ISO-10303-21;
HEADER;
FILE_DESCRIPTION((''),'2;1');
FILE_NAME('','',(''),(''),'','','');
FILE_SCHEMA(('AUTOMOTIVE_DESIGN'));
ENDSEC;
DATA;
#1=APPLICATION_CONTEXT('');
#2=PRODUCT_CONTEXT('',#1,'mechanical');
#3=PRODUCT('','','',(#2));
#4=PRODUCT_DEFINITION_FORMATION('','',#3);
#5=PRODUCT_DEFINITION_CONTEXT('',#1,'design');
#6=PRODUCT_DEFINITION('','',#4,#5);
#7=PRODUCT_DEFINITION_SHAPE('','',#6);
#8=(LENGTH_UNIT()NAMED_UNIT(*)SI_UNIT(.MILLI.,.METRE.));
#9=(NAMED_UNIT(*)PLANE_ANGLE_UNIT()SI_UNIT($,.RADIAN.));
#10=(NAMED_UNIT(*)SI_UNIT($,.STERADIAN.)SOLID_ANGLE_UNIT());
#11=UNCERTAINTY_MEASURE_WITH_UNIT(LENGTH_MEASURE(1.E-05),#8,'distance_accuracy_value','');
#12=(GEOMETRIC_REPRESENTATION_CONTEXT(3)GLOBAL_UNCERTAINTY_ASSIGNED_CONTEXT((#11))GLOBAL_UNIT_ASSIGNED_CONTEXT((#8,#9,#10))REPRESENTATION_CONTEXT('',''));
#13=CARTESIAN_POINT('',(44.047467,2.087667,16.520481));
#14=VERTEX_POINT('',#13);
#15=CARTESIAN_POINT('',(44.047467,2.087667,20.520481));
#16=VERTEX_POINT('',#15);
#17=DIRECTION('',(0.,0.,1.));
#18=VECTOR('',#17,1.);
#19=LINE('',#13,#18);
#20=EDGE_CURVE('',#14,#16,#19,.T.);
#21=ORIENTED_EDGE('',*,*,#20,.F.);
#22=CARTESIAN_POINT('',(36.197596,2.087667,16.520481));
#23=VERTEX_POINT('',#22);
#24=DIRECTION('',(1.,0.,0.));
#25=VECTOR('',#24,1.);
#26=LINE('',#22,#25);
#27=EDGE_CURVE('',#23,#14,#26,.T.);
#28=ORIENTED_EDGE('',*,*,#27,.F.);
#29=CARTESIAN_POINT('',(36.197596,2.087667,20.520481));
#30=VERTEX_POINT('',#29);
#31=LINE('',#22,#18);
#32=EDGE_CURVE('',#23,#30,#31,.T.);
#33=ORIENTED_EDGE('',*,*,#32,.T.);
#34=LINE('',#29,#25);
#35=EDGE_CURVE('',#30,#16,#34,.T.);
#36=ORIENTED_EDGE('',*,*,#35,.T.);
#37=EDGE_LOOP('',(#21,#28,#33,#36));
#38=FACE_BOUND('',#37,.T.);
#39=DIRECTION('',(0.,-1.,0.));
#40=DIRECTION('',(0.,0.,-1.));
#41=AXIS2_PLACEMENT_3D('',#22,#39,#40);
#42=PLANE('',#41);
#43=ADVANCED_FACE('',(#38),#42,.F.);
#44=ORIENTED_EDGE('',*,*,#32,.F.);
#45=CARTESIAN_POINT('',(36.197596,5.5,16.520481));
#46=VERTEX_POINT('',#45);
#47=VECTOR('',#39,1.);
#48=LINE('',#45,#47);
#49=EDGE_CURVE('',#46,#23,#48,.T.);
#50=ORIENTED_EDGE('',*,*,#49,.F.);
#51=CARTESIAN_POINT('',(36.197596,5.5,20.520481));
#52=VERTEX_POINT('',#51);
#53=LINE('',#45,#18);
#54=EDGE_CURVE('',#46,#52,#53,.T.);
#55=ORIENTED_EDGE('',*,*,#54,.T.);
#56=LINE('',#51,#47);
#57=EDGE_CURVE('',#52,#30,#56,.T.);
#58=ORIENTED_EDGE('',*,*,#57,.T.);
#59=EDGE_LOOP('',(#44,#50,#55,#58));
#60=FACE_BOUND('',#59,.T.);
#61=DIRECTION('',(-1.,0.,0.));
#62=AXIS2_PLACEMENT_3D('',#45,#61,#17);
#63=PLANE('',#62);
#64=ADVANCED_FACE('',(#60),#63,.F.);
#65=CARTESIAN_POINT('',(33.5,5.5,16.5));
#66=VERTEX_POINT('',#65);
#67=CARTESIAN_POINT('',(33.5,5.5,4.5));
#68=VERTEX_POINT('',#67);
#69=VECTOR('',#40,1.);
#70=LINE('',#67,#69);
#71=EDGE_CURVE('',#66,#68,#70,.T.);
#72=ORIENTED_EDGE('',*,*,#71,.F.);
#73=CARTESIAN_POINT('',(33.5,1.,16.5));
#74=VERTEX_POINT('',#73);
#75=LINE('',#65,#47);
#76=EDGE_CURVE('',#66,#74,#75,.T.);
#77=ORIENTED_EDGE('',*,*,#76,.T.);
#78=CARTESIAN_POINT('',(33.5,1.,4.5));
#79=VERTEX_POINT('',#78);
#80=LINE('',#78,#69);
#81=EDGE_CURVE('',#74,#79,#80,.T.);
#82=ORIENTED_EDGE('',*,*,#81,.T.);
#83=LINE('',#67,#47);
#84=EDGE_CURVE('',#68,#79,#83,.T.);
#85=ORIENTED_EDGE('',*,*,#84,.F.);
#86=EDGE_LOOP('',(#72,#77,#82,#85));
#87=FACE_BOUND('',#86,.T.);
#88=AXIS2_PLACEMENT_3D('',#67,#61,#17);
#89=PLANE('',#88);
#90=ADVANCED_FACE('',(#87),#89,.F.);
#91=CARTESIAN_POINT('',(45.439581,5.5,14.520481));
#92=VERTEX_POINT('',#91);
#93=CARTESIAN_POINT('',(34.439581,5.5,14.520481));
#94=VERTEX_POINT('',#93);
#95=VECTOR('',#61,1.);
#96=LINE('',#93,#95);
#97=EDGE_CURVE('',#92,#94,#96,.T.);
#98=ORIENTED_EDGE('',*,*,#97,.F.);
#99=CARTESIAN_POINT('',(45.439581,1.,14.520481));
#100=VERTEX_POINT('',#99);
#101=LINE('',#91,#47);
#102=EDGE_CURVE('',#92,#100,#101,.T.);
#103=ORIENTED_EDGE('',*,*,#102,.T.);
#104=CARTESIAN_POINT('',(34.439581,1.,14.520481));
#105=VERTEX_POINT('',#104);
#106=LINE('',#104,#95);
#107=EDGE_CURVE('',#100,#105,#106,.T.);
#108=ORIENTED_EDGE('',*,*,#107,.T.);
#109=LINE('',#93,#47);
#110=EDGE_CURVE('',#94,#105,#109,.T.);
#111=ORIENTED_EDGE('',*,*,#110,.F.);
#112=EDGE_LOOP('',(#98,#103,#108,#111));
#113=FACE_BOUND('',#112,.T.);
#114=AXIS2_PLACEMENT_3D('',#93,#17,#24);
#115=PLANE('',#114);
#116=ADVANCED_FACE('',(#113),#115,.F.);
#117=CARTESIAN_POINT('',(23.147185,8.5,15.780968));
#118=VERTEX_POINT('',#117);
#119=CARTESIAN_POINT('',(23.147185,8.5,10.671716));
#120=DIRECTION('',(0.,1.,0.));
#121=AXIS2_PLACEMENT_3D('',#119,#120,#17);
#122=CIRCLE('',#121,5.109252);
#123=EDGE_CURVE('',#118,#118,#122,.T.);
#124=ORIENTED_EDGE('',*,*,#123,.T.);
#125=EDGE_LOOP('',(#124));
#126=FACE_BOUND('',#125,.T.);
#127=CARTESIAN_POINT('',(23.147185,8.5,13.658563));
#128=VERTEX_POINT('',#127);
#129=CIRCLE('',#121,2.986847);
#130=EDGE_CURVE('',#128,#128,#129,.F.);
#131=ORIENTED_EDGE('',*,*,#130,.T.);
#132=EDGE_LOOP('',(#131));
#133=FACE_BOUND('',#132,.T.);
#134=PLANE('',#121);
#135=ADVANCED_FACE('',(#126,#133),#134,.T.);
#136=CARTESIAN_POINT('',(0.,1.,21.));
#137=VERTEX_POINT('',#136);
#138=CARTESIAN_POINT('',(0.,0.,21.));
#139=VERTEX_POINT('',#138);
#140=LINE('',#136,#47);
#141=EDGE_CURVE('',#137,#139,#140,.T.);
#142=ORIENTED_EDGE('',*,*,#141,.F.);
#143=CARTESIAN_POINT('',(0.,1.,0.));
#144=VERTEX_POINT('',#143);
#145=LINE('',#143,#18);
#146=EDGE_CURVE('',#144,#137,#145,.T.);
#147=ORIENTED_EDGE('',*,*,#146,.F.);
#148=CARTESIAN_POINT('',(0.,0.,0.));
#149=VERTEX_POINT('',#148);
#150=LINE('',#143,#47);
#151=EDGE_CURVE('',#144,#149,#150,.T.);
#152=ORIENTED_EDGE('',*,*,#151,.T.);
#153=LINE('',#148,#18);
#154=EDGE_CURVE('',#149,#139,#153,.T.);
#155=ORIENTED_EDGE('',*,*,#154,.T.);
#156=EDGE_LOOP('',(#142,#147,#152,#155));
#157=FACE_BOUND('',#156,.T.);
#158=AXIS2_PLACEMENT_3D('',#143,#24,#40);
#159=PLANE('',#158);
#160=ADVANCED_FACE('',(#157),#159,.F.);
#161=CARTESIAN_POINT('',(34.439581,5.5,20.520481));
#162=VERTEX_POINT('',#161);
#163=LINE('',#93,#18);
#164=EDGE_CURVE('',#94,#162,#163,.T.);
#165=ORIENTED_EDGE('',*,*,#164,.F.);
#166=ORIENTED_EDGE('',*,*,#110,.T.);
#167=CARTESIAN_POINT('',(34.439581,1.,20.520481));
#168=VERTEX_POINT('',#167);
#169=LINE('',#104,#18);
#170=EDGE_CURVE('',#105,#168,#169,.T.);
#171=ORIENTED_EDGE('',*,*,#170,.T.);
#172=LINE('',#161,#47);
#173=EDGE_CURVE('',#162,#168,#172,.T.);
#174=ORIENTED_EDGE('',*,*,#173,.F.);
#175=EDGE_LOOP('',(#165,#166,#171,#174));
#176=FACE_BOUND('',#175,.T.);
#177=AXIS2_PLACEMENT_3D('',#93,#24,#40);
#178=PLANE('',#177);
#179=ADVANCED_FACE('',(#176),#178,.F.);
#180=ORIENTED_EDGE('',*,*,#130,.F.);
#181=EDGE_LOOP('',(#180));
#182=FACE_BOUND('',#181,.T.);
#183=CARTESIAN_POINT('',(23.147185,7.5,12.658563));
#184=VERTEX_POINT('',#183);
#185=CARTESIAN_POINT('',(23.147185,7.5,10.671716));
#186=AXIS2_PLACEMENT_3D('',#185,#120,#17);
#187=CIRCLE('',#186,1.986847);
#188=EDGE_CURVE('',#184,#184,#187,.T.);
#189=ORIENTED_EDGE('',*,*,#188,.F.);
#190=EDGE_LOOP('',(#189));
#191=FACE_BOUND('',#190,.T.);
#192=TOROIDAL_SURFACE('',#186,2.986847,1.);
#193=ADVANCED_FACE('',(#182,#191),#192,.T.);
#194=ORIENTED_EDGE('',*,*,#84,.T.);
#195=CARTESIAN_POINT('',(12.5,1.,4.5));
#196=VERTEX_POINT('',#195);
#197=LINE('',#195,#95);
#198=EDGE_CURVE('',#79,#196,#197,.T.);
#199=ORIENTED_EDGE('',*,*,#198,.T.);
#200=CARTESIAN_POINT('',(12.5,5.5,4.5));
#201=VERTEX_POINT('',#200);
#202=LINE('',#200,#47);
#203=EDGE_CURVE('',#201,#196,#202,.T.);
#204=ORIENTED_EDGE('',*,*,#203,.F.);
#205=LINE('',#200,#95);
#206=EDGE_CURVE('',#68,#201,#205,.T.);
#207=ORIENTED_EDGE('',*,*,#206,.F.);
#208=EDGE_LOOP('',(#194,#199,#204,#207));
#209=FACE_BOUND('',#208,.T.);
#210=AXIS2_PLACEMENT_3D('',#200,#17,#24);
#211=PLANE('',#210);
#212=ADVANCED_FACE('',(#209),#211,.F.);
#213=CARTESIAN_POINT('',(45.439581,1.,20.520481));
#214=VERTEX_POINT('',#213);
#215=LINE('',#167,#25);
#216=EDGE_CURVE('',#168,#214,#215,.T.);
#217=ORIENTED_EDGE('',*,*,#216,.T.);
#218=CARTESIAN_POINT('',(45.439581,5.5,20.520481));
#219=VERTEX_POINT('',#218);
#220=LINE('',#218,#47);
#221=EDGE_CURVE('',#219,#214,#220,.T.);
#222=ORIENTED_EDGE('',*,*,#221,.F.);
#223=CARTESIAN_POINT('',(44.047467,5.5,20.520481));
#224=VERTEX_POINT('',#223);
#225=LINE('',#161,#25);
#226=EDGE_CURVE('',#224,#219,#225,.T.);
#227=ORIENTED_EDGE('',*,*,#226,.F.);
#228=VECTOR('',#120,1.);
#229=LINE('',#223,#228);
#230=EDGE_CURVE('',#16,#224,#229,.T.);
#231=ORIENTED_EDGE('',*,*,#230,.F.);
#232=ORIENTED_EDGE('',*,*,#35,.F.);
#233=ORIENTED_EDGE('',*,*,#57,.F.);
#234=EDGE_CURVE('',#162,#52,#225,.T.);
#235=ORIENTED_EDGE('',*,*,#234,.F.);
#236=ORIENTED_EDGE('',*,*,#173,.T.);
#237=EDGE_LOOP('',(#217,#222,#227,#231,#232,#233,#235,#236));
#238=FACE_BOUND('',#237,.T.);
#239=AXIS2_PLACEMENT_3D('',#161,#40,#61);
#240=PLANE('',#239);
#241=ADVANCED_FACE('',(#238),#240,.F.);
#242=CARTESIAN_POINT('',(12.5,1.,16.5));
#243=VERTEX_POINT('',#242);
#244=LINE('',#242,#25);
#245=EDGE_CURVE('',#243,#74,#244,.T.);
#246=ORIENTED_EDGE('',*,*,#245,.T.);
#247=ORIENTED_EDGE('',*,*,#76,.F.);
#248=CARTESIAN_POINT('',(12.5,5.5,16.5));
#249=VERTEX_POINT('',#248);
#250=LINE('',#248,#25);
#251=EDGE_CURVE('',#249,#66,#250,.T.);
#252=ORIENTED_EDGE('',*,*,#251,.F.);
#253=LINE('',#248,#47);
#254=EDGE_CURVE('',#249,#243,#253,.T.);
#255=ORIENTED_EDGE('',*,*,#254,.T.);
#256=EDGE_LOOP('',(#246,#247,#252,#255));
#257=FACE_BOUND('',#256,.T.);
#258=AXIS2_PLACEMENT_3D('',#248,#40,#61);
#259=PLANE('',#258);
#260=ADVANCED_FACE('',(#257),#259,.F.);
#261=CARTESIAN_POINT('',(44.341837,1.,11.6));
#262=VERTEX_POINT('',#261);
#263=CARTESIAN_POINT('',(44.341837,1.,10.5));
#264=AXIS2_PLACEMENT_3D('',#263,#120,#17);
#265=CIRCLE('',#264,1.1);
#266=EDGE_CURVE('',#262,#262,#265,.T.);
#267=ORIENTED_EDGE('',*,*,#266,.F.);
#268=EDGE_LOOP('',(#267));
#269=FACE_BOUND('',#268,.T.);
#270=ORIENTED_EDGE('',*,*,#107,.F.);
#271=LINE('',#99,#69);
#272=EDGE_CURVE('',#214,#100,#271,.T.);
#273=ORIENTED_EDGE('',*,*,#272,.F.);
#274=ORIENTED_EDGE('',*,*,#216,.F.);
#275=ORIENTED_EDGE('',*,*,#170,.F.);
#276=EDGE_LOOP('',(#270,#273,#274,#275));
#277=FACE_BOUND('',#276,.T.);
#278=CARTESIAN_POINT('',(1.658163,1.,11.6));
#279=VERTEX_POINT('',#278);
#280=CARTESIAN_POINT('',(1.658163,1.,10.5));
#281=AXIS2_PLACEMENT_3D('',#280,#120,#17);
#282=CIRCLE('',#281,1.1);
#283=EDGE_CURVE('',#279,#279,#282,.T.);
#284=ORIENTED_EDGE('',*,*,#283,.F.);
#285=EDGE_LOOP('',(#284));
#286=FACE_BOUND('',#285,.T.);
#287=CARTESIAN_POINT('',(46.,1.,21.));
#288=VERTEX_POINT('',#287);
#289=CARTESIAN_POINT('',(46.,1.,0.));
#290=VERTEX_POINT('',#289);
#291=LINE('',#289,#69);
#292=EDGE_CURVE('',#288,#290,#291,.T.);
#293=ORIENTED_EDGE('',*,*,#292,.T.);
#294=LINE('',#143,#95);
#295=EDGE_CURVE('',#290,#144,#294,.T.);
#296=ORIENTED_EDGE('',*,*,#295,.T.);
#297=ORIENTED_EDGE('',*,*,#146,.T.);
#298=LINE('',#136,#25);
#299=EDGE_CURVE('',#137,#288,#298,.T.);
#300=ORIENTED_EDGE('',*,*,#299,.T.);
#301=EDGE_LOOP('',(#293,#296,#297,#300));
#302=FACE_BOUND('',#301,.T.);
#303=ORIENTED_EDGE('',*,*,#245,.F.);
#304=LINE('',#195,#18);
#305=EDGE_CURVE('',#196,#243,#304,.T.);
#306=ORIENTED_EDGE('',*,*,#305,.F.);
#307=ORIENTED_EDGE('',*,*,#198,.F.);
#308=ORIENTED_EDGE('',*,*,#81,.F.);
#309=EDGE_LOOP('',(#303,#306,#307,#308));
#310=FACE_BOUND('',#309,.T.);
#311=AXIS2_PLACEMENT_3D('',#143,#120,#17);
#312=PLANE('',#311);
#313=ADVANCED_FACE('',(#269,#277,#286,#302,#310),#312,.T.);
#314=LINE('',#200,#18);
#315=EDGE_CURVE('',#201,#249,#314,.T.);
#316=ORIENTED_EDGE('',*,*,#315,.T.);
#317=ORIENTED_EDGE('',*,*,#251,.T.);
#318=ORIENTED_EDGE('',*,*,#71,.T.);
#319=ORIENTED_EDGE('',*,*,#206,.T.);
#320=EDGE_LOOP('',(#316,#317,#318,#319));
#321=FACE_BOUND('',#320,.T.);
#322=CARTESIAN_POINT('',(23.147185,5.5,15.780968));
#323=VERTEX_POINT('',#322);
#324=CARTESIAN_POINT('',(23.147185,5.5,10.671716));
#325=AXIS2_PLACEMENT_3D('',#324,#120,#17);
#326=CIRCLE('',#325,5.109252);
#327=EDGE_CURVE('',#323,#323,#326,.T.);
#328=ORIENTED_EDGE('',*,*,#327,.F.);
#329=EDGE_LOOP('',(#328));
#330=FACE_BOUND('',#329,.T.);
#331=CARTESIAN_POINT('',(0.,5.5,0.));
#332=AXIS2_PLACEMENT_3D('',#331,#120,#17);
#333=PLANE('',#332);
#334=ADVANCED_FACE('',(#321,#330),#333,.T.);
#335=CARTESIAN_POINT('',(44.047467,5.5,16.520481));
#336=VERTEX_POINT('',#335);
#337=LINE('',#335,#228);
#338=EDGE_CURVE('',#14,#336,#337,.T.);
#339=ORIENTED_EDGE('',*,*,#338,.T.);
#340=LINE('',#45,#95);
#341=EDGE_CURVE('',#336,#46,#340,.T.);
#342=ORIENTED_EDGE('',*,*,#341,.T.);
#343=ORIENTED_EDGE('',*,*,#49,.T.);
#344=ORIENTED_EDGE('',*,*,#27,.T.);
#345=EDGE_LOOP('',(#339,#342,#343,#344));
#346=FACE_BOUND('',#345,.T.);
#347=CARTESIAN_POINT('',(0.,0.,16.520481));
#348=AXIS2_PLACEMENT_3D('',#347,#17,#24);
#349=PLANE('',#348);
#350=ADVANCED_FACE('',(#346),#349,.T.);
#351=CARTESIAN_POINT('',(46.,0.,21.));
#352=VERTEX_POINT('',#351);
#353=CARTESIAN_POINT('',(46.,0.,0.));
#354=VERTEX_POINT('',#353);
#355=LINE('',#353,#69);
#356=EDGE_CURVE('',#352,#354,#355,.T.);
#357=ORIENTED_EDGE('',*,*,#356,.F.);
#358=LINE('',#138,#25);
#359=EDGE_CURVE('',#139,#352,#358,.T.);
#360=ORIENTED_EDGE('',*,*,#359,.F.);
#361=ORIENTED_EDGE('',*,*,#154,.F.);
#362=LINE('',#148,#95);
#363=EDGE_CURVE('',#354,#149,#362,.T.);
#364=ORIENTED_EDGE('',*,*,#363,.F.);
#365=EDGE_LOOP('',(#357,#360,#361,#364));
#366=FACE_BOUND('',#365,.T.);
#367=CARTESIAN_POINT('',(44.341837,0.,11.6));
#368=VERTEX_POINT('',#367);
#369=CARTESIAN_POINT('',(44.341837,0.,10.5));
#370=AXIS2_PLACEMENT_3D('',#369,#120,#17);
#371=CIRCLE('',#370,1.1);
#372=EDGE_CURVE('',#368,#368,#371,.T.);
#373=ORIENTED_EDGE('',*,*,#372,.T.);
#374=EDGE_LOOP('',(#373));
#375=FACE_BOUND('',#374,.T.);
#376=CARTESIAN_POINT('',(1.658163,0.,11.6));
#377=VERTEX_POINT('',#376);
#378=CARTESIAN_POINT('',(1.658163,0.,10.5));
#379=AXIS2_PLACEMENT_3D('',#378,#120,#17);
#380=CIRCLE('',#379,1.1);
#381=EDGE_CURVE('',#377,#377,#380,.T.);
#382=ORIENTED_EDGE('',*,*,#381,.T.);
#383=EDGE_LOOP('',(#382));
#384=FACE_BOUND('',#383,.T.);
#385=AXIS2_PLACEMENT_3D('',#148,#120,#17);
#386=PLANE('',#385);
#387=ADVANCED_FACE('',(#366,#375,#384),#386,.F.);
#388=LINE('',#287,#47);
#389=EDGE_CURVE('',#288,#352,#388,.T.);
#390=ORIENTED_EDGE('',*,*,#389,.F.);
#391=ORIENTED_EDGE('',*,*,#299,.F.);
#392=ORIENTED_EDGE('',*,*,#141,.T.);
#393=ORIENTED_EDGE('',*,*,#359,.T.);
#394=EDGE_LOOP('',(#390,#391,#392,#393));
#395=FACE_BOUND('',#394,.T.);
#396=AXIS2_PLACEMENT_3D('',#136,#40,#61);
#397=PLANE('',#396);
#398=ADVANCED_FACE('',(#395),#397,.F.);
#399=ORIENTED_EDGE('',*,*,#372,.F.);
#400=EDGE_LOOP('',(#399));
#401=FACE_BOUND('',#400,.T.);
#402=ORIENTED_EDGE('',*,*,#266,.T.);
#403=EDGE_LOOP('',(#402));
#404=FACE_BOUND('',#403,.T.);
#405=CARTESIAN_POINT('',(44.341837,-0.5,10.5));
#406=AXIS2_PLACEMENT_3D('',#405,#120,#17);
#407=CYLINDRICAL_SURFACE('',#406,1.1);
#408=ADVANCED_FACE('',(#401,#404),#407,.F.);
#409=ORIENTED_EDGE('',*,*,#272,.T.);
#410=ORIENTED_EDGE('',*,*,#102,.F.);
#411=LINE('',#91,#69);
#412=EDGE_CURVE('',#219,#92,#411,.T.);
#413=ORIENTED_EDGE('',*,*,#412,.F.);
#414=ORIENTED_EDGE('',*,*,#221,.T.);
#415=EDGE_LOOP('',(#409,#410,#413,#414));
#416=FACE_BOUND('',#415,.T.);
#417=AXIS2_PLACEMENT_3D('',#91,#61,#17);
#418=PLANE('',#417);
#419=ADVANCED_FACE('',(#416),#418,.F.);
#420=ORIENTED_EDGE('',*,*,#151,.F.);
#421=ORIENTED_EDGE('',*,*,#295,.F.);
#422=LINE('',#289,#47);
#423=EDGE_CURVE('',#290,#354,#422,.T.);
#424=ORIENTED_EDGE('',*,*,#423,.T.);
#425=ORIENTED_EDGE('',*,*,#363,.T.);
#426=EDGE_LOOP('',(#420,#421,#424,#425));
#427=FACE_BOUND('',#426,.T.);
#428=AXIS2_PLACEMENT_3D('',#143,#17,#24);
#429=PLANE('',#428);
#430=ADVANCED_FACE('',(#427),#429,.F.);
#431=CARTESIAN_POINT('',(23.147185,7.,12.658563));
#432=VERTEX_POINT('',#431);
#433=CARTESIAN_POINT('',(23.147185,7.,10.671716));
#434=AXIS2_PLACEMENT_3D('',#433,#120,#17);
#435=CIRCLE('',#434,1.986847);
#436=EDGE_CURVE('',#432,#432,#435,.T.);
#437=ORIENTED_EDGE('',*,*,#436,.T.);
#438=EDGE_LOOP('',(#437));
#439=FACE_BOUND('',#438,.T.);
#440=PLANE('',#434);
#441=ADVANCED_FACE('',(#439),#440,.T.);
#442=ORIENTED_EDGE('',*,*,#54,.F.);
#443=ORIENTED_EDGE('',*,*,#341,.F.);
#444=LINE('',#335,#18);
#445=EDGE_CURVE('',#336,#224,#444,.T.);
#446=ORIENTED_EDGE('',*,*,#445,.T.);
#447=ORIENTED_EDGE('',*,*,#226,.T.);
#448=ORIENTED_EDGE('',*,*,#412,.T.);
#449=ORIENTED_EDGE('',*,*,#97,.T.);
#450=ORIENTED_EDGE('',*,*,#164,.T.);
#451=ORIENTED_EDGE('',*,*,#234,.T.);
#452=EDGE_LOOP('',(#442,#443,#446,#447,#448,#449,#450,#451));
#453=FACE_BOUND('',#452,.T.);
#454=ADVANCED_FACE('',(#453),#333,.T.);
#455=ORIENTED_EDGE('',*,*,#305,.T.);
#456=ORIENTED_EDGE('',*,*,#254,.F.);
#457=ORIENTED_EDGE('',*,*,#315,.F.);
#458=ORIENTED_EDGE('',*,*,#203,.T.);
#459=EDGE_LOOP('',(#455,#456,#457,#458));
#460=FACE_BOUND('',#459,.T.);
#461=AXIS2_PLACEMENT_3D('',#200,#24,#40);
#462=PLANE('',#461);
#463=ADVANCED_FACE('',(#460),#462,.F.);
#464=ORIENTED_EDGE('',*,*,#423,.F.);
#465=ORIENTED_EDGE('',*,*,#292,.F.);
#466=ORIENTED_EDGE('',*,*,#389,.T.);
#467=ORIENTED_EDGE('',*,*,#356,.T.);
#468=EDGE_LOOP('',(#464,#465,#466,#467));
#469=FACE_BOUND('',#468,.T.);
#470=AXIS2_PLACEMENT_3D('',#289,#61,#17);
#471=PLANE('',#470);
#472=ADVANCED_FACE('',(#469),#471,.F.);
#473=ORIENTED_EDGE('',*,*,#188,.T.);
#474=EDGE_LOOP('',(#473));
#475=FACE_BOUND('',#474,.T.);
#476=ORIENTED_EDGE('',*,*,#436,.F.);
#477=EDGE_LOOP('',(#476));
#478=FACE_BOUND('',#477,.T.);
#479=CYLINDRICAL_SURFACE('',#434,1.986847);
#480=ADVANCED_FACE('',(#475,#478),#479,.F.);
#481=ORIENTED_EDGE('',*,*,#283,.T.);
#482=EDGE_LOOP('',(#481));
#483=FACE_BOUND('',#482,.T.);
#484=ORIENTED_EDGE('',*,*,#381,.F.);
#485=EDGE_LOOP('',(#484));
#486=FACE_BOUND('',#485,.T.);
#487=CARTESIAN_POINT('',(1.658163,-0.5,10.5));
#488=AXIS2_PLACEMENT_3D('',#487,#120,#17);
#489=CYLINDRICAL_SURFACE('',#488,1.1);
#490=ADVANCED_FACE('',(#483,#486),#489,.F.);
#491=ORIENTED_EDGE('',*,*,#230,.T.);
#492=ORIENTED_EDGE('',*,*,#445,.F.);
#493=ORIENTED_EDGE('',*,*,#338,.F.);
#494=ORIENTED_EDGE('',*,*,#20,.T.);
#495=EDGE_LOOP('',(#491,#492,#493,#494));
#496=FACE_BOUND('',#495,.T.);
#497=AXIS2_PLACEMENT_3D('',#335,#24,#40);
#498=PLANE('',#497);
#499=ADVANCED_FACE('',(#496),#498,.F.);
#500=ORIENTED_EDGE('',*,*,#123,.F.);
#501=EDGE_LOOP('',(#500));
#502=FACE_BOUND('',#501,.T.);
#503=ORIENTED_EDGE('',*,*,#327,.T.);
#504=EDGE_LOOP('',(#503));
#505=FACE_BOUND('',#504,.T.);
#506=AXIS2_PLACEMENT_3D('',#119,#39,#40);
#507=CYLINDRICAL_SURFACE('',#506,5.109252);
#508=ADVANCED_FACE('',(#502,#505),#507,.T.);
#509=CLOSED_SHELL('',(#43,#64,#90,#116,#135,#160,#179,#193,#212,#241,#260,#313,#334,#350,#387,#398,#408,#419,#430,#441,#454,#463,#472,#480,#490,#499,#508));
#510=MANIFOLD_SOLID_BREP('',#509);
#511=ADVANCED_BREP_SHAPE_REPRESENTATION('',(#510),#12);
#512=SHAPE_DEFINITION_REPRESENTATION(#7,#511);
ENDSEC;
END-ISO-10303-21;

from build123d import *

# Parameters (mm, degrees)
SKETCH1_W           = 46
SKETCH1_H           = 21
BOSS_EXTRUDE1_DEPTH = 1
SKETCH2_W           = 21
SKETCH2_H           = 12
SKETCH2_W_2         = 11
SKETCH2_H_2         = 6
BOSS_EXTRUDE2_DEPTH = 4.5
SKETCH3_W           = 7.849871035
SKETCH3_H           = 3.412332869
CUT_EXTRUDE1_DEPTH  = 4
SKETCH4_R           = 5.109251927
BOSS_EXTRUDE3_DEPTH = 3
SKETCH5_R           = 1.986847175
CUT_EXTRUDE2_DEPTH  = 1.5
FILLET1_R           = 1
SKETCH6_R           = 1.1
CUT_EXTRUDE3_DEPTH  = 1.5


with BuildPart() as part:
    # Sketch1 → Boss-Extrude1 (new body)
    with BuildSketch(Plane(origin=(0, 0, 0), x_dir=(1, 0, 0), z_dir=(0, 1, 0))):
        with Locations((23, -10.5)):
            Rectangle(SKETCH1_W, SKETCH1_H)
    extrude(amount=BOSS_EXTRUDE1_DEPTH)

    # Sketch2 → Boss-Extrude2 (add)
    with BuildSketch(Plane(origin=(0, 1, 0), x_dir=(1, 0, 0), z_dir=(0, 1, 0))):
        with Locations((23, -10.5)):
            Rectangle(SKETCH2_W, SKETCH2_H)
        with Locations((39.939580859, -17.520481264)):
            Rectangle(SKETCH2_W_2, SKETCH2_H_2)
    extrude(amount=BOSS_EXTRUDE2_DEPTH)

    # Sketch3 → Cut-Extrude1 (cut)
    with BuildSketch(Plane.XY.offset(20.520481264)):
        with Locations((40.122531197, 3.793833565)):
            Rectangle(SKETCH3_W, SKETCH3_H)
    extrude(amount=-CUT_EXTRUDE1_DEPTH, mode=Mode.SUBTRACT)

    # Sketch4 → Boss-Extrude3 (add)
    with BuildSketch(Plane(origin=(0, 5.5, 0), x_dir=(1, 0, 0), z_dir=(0, 1, 0))):
        with Locations((23.147185082, -10.671715929)):
            Circle(SKETCH4_R)
    extrude(amount=BOSS_EXTRUDE3_DEPTH)

    # Sketch5 → Cut-Extrude2 (cut)
    with BuildSketch(Plane(origin=(0, 8.5, 0), x_dir=(1, 0, 0), z_dir=(0, 1, 0))):
        with Locations((23.147185082, -10.671715929)):
            Circle(SKETCH5_R)
    extrude(amount=-CUT_EXTRUDE2_DEPTH, mode=Mode.SUBTRACT)

    # Fillet1
    fillet1_edges = [part.edges().sort_by_distance(p)[0] for p in [
        (21.160337907, 8.5, 10.671715929),
    ]]
    fillet(fillet1_edges, radius=FILLET1_R)

    # Sketch6 → Cut-Extrude3 (cut)
    with BuildSketch(Plane(origin=(0, 1, 0), x_dir=(1, 0, 0), z_dir=(0, 1, 0))):
        with Locations((1.658163122, -10.5)):
            Circle(SKETCH6_R)
        with Locations((44.341836878, -10.5)):
            Circle(SKETCH6_R)
    extrude(amount=-CUT_EXTRUDE3_DEPTH, mode=Mode.SUBTRACT)


solid = part.part
